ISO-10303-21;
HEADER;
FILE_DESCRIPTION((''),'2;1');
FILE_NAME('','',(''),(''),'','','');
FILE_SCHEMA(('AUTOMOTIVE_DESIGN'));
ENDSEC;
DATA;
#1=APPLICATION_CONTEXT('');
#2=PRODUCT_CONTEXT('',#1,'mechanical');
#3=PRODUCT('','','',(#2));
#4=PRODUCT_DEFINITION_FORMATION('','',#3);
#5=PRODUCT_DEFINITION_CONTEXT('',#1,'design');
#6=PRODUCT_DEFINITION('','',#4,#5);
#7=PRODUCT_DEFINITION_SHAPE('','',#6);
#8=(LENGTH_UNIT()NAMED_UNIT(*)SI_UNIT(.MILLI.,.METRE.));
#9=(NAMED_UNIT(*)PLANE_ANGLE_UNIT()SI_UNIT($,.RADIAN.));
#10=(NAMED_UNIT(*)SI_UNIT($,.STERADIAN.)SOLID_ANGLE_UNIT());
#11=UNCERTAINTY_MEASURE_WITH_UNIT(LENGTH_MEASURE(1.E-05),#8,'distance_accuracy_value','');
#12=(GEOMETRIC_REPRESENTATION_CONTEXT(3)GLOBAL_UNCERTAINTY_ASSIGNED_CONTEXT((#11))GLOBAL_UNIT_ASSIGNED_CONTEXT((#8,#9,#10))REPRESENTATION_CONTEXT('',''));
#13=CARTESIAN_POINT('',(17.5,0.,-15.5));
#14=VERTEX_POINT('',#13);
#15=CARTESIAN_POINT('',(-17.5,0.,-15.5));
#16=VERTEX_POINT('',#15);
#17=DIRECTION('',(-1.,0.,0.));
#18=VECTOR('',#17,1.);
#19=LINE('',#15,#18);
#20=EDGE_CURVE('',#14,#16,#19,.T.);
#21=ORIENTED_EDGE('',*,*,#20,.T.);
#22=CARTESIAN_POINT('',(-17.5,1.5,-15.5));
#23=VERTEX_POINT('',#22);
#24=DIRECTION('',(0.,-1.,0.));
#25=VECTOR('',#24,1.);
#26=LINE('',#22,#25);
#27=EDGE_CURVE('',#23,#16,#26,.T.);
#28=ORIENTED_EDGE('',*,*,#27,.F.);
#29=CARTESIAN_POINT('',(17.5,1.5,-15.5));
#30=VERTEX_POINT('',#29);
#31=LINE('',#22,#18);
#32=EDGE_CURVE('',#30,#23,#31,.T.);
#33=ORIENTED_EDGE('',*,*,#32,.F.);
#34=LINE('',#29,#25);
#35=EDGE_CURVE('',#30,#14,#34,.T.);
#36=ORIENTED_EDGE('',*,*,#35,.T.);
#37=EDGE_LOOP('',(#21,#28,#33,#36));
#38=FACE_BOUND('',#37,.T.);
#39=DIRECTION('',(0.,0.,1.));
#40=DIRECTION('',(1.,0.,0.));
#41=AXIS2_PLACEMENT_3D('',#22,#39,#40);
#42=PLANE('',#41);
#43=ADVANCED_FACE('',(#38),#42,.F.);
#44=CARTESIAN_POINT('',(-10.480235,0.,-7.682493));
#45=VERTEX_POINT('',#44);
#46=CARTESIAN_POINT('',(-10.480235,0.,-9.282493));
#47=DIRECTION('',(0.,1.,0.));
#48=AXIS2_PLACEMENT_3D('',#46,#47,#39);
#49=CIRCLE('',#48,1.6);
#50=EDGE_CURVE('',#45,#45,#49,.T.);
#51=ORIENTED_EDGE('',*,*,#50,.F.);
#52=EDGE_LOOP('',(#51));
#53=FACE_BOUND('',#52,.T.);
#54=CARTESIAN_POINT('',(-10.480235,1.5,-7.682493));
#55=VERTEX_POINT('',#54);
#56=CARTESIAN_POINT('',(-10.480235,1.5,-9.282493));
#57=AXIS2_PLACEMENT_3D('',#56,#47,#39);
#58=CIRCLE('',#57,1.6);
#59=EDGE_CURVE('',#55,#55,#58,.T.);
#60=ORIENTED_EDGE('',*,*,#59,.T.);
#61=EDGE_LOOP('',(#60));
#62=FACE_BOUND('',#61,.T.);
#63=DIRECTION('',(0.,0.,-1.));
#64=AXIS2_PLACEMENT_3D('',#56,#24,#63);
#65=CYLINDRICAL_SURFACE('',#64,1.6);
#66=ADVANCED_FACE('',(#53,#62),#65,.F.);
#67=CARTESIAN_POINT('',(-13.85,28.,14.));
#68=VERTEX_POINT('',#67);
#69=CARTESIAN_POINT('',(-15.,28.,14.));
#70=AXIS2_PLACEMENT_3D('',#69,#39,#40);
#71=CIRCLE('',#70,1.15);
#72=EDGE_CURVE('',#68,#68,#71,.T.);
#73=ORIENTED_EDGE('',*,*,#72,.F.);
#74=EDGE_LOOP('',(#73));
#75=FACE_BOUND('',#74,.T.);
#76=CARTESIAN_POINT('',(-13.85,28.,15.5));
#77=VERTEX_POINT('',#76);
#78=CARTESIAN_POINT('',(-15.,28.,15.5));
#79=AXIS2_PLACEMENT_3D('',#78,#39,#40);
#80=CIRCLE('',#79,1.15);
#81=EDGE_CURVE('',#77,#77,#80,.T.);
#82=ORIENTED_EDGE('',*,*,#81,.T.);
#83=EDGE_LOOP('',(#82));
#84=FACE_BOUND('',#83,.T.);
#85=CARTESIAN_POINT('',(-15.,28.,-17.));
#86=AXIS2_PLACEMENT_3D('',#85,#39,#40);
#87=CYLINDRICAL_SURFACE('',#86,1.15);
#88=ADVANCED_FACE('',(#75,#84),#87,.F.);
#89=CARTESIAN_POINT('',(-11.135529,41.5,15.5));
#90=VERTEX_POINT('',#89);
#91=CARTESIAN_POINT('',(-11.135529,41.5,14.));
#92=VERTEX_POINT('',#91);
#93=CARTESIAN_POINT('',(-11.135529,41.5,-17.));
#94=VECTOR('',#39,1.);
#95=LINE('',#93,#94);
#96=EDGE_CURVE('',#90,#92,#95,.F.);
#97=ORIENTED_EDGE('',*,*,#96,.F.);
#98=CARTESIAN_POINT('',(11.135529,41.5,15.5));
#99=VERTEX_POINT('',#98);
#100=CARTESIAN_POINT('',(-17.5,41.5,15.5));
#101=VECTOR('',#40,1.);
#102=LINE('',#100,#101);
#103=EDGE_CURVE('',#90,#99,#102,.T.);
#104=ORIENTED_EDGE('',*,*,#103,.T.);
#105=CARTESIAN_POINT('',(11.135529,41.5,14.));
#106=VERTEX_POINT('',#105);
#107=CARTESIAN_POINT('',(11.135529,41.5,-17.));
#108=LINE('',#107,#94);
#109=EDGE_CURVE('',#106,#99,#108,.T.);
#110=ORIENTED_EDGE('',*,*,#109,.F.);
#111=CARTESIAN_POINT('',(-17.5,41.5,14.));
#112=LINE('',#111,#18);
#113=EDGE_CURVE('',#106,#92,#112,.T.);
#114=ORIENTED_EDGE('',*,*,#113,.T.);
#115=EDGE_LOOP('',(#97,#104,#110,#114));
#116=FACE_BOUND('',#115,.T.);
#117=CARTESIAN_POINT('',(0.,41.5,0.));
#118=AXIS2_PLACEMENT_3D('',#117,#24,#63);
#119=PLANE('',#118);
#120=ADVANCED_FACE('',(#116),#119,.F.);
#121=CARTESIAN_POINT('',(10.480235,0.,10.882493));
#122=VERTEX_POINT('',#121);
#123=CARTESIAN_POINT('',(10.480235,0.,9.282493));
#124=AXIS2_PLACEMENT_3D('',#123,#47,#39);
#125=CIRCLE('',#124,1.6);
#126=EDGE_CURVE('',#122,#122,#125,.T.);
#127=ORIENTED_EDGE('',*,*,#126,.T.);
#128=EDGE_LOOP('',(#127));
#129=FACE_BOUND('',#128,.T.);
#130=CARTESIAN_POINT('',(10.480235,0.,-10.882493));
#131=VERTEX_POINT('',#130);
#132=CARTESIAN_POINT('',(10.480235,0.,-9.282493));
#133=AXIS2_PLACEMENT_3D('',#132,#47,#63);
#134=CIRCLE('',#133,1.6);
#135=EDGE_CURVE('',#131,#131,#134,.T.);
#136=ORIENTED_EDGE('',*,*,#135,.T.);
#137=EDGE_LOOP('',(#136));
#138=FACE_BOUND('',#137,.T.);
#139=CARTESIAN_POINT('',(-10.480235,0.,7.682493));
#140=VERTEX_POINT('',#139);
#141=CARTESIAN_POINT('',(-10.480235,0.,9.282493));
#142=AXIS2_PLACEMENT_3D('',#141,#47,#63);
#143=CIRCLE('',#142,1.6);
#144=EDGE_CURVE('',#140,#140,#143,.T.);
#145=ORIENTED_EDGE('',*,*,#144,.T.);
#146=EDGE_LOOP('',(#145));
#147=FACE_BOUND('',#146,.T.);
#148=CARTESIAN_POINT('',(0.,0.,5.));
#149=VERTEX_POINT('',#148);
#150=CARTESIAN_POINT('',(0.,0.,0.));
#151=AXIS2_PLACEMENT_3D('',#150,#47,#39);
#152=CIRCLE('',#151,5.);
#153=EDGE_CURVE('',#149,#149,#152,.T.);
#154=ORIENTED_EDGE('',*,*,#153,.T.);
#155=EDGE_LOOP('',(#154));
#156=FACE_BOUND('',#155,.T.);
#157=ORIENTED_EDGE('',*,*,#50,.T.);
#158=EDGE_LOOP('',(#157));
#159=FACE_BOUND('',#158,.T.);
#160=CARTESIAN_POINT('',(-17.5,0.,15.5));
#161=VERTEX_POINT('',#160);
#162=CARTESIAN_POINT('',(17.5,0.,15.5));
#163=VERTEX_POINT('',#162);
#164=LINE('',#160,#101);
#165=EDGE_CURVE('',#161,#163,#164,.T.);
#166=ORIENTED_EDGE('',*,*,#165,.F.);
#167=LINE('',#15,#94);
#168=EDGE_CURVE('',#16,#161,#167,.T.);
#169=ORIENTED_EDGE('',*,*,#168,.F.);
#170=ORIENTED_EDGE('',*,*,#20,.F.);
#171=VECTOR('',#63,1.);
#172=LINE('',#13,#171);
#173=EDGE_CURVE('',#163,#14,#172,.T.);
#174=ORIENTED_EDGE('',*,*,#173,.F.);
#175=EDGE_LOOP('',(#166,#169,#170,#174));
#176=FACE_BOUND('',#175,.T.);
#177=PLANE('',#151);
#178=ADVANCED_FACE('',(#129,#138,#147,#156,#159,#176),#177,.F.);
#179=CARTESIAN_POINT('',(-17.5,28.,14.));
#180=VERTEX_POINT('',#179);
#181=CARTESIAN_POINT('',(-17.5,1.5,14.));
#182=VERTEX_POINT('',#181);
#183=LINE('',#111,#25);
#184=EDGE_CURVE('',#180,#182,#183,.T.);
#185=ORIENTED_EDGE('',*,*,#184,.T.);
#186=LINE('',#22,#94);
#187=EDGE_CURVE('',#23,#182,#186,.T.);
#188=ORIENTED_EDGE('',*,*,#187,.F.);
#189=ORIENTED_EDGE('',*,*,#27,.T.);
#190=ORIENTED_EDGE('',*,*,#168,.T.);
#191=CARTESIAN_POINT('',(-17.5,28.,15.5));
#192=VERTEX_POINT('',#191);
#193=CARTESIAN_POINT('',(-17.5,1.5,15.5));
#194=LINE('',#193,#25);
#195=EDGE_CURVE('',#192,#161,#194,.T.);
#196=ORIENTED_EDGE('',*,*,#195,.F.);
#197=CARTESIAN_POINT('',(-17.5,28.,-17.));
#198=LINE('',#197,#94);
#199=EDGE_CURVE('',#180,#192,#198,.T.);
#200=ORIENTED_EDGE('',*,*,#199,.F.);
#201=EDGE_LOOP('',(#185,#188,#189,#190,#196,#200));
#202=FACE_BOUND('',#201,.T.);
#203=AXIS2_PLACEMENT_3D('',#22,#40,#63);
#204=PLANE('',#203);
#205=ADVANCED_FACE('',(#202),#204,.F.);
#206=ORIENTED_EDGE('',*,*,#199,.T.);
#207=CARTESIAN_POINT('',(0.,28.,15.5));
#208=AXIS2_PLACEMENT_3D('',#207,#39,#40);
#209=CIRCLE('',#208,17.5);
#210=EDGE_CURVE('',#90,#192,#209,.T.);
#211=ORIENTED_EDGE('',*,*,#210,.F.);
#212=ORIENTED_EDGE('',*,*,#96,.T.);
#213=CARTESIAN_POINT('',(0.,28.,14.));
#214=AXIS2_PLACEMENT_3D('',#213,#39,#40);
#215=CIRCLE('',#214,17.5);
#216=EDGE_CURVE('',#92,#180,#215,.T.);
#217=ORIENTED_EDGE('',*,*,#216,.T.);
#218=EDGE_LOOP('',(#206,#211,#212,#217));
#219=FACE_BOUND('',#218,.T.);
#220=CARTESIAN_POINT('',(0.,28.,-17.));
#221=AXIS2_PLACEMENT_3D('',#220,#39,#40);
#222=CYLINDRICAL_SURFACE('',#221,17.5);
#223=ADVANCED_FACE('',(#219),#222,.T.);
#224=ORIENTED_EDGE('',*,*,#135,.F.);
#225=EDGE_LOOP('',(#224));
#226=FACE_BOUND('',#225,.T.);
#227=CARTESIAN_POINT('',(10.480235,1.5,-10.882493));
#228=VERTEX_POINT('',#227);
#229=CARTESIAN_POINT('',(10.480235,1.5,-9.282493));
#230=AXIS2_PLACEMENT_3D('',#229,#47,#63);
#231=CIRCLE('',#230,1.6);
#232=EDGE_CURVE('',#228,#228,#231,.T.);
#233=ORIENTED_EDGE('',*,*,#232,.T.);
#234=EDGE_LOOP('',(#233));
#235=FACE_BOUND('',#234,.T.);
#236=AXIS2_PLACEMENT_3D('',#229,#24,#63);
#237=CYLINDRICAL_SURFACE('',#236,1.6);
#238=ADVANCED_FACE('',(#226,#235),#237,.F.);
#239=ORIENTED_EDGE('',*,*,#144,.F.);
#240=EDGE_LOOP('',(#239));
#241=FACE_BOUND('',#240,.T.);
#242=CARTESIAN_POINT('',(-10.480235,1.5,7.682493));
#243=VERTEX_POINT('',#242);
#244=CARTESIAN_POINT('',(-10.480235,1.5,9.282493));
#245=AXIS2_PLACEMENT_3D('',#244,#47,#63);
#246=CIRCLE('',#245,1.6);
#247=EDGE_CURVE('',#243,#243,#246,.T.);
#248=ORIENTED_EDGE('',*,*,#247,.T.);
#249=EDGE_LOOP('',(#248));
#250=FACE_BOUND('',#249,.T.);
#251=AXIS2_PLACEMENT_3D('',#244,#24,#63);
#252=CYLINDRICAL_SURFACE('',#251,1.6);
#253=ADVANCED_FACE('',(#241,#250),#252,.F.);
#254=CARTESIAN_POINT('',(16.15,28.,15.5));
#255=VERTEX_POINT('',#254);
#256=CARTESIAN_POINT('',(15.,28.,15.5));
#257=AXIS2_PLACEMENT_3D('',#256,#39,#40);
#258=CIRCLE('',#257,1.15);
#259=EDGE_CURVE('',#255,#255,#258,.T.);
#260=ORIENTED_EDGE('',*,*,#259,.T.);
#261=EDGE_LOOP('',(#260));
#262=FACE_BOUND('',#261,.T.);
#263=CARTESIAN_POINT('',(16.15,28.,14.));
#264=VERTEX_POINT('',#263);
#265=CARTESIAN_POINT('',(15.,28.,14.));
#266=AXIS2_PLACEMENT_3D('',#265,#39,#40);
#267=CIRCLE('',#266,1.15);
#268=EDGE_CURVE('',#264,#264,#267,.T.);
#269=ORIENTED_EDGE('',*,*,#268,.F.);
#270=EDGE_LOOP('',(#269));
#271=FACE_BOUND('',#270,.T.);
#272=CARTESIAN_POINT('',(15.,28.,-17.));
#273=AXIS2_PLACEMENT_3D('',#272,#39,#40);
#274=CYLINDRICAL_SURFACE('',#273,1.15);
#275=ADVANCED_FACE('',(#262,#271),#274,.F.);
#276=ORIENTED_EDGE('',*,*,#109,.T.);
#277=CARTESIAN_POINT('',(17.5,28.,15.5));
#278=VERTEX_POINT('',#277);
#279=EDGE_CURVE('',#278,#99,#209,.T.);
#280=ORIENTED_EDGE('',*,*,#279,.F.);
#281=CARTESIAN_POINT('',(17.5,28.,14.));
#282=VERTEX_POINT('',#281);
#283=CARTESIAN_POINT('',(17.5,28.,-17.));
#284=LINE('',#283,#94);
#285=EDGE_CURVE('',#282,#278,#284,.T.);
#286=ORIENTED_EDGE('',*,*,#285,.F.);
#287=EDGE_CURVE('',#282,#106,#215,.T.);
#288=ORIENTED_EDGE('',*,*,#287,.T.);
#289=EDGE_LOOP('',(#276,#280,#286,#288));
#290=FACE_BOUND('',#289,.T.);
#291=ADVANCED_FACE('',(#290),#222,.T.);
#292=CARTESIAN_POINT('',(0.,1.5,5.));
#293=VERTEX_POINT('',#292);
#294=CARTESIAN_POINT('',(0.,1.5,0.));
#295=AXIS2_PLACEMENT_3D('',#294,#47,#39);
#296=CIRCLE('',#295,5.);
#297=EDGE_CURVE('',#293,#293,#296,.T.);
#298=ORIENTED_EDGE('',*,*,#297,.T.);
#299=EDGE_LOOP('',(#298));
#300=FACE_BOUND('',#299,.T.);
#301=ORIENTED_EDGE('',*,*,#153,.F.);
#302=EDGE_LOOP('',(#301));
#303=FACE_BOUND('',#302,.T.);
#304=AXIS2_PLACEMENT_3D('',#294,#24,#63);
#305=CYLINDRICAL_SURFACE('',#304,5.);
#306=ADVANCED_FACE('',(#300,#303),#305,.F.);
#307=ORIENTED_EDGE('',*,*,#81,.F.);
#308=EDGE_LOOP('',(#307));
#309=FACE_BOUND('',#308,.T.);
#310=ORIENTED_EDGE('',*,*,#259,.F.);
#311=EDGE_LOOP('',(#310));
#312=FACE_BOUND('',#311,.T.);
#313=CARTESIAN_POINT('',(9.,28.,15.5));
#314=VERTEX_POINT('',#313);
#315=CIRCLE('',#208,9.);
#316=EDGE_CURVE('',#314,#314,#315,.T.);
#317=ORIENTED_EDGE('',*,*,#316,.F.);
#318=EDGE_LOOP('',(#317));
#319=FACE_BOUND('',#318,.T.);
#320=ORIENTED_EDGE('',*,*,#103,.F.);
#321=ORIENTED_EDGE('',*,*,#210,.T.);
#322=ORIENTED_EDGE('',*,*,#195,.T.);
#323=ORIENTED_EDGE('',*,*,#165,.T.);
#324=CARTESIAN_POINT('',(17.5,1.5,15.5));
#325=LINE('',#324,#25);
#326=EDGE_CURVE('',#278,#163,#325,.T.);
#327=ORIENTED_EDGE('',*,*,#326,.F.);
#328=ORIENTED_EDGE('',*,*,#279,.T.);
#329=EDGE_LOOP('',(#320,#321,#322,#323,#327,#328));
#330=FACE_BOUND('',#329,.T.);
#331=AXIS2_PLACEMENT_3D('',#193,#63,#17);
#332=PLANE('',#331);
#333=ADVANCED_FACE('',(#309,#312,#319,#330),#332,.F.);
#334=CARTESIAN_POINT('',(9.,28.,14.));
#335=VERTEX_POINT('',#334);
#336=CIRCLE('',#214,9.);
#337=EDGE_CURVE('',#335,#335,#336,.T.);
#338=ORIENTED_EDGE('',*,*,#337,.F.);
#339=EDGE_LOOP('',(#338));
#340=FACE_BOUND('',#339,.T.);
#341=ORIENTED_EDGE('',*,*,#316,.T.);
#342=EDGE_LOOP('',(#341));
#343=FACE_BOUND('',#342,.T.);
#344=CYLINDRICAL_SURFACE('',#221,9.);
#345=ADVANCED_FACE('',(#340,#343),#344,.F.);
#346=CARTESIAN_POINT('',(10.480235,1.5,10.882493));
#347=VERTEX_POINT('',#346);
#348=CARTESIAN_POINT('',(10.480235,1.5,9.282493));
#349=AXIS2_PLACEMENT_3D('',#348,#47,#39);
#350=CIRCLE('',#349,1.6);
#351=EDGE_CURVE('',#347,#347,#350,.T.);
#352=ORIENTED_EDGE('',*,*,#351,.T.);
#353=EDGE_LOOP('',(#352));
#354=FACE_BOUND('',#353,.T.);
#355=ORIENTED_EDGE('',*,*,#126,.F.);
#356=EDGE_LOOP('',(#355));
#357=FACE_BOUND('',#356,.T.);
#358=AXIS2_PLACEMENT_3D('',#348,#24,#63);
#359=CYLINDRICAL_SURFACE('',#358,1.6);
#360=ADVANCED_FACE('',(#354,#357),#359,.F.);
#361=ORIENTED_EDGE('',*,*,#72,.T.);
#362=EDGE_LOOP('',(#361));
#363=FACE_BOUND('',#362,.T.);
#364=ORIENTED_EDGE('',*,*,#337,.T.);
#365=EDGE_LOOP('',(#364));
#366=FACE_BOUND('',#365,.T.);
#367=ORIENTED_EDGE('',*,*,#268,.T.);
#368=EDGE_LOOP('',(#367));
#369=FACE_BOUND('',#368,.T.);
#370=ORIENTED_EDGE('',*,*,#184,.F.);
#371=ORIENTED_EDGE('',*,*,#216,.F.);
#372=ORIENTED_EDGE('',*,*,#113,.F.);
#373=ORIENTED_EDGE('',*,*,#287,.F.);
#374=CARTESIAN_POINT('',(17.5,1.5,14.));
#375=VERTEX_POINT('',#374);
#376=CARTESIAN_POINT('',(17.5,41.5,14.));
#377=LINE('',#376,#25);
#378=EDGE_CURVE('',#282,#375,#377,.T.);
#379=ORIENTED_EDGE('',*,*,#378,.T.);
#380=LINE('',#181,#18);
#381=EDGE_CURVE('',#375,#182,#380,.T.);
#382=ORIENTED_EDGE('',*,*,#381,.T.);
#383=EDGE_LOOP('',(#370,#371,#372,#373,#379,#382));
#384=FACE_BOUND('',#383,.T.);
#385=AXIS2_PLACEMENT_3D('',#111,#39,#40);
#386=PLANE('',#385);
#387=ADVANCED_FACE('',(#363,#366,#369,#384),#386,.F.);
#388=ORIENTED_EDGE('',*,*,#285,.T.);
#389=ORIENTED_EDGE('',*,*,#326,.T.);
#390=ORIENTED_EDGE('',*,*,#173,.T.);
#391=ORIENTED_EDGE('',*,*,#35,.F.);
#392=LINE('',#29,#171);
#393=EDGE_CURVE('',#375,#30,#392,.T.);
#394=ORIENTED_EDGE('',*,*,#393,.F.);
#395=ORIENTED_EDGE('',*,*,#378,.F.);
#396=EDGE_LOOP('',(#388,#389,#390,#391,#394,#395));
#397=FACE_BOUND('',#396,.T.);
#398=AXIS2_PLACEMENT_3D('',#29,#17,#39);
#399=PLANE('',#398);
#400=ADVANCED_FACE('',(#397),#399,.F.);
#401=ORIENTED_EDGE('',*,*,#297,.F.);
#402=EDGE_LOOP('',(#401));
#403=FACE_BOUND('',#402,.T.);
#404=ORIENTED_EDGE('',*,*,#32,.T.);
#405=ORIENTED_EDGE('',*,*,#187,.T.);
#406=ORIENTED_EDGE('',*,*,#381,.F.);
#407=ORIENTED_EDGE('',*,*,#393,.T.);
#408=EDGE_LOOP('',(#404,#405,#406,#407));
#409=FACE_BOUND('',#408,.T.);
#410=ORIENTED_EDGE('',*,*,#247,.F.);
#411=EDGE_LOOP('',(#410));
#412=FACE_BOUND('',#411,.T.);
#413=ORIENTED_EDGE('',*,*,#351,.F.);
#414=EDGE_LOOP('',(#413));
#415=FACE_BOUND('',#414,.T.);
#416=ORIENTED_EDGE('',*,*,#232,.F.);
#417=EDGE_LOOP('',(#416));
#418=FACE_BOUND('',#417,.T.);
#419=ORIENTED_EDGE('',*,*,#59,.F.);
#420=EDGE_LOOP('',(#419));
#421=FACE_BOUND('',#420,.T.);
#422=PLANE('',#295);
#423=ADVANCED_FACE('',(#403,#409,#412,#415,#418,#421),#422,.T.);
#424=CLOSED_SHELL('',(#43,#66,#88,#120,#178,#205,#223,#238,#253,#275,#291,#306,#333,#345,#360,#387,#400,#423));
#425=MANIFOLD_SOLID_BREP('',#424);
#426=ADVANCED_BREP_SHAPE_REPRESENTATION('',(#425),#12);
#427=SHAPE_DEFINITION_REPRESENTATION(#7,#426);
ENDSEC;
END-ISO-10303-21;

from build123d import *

# Parameters (mm, degrees)
ESQUISSE1_W             = 35
ESQUISSE1_H             = 31
ESQUISSE1_R             = 1.6
ESQUISSE1_R_2           = 5
BOSS_EXTRU_1_DEPTH      = 1.5
ESQUISSE2_W             = 35
ESQUISSE2_H             = 1.5
BOSS_EXTRU_2_DEPTH      = 40
ENL_V_MAT_EXTRU_1_DEPTH = 32.5
ESQUISSE4_R             = 9
ESQUISSE4_R_2           = 1.15
ENL_V_MAT_EXTRU_2_DEPTH = 32.5


with BuildPart() as part:
    # Esquisse1 → Boss.-Extru.1 (new body)
    with BuildSketch(Plane(origin=(0, 0, 0), x_dir=(1, 0, 0), z_dir=(0, 1, 0))):
        Rectangle(ESQUISSE1_W, ESQUISSE1_H)
        with Locations(Location((-10.480234522, 9.282493434, 0), (0, 0, 270))):
            Circle(ESQUISSE1_R, mode=Mode.SUBTRACT)
        with Locations(Location((0, 0, 0), (0, 0, 270))):
            Circle(ESQUISSE1_R_2, mode=Mode.SUBTRACT)
        with Locations(Location((10.480234522, 9.282493434, 0), (0, 0, 90))):
            Circle(ESQUISSE1_R, mode=Mode.SUBTRACT)
        with Locations(Location((10.480234522, -9.282493434, 0), (0, 0, 270))):
            Circle(ESQUISSE1_R, mode=Mode.SUBTRACT)
        with Locations(Location((-10.480234522, -9.282493434, 0), (0, 0, 90))):
            Circle(ESQUISSE1_R, mode=Mode.SUBTRACT)
    extrude(amount=BOSS_EXTRU_1_DEPTH)

    # Esquisse2 → Boss.-Extru.2 (add)
    with BuildSketch(Plane(origin=(0, 1.5, 0), x_dir=(1, 0, 0), z_dir=(0, 1, 0))):
        with Locations((0, -14.75)):
            Rectangle(ESQUISSE2_W, ESQUISSE2_H)
    extrude(amount=BOSS_EXTRU_2_DEPTH)

    # Esquisse3 → Enlèv. mat.-Extru.1 (cut)
    with BuildSketch(Plane.XY.offset(15.5)):
        with BuildLine():
            Line((-17.5, 41.5), (-17.5, 28))
            ThreePointArc((-17.5, 28), (-15.829114832, 35.462514566), (-11.135528726, 41.5))
            Line((-11.135528726, 41.5), (-17.5, 41.5))
        make_face()
        with BuildLine():
            Line((17.5, 41.5), (11.135528726, 41.5))
            ThreePointArc((11.135528726, 41.5), (15.829114832, 35.462514566), (17.5, 28))
            Line((17.5, 28), (17.5, 41.5))
        make_face()
    extrude(amount=-ENL_V_MAT_EXTRU_1_DEPTH, mode=Mode.SUBTRACT)

    # Esquisse4 → Enlèv. mat.-Extru.2 (cut)
    with BuildSketch(Plane.XY.offset(15.5)):
        with Locations((0, 28)):
            Circle(ESQUISSE4_R)
        with Locations((-15, 28)):
            Circle(ESQUISSE4_R_2)
        with Locations((15, 28)):
            Circle(ESQUISSE4_R_2)
    extrude(amount=-ENL_V_MAT_EXTRU_2_DEPTH, mode=Mode.SUBTRACT)


solid = part.part
